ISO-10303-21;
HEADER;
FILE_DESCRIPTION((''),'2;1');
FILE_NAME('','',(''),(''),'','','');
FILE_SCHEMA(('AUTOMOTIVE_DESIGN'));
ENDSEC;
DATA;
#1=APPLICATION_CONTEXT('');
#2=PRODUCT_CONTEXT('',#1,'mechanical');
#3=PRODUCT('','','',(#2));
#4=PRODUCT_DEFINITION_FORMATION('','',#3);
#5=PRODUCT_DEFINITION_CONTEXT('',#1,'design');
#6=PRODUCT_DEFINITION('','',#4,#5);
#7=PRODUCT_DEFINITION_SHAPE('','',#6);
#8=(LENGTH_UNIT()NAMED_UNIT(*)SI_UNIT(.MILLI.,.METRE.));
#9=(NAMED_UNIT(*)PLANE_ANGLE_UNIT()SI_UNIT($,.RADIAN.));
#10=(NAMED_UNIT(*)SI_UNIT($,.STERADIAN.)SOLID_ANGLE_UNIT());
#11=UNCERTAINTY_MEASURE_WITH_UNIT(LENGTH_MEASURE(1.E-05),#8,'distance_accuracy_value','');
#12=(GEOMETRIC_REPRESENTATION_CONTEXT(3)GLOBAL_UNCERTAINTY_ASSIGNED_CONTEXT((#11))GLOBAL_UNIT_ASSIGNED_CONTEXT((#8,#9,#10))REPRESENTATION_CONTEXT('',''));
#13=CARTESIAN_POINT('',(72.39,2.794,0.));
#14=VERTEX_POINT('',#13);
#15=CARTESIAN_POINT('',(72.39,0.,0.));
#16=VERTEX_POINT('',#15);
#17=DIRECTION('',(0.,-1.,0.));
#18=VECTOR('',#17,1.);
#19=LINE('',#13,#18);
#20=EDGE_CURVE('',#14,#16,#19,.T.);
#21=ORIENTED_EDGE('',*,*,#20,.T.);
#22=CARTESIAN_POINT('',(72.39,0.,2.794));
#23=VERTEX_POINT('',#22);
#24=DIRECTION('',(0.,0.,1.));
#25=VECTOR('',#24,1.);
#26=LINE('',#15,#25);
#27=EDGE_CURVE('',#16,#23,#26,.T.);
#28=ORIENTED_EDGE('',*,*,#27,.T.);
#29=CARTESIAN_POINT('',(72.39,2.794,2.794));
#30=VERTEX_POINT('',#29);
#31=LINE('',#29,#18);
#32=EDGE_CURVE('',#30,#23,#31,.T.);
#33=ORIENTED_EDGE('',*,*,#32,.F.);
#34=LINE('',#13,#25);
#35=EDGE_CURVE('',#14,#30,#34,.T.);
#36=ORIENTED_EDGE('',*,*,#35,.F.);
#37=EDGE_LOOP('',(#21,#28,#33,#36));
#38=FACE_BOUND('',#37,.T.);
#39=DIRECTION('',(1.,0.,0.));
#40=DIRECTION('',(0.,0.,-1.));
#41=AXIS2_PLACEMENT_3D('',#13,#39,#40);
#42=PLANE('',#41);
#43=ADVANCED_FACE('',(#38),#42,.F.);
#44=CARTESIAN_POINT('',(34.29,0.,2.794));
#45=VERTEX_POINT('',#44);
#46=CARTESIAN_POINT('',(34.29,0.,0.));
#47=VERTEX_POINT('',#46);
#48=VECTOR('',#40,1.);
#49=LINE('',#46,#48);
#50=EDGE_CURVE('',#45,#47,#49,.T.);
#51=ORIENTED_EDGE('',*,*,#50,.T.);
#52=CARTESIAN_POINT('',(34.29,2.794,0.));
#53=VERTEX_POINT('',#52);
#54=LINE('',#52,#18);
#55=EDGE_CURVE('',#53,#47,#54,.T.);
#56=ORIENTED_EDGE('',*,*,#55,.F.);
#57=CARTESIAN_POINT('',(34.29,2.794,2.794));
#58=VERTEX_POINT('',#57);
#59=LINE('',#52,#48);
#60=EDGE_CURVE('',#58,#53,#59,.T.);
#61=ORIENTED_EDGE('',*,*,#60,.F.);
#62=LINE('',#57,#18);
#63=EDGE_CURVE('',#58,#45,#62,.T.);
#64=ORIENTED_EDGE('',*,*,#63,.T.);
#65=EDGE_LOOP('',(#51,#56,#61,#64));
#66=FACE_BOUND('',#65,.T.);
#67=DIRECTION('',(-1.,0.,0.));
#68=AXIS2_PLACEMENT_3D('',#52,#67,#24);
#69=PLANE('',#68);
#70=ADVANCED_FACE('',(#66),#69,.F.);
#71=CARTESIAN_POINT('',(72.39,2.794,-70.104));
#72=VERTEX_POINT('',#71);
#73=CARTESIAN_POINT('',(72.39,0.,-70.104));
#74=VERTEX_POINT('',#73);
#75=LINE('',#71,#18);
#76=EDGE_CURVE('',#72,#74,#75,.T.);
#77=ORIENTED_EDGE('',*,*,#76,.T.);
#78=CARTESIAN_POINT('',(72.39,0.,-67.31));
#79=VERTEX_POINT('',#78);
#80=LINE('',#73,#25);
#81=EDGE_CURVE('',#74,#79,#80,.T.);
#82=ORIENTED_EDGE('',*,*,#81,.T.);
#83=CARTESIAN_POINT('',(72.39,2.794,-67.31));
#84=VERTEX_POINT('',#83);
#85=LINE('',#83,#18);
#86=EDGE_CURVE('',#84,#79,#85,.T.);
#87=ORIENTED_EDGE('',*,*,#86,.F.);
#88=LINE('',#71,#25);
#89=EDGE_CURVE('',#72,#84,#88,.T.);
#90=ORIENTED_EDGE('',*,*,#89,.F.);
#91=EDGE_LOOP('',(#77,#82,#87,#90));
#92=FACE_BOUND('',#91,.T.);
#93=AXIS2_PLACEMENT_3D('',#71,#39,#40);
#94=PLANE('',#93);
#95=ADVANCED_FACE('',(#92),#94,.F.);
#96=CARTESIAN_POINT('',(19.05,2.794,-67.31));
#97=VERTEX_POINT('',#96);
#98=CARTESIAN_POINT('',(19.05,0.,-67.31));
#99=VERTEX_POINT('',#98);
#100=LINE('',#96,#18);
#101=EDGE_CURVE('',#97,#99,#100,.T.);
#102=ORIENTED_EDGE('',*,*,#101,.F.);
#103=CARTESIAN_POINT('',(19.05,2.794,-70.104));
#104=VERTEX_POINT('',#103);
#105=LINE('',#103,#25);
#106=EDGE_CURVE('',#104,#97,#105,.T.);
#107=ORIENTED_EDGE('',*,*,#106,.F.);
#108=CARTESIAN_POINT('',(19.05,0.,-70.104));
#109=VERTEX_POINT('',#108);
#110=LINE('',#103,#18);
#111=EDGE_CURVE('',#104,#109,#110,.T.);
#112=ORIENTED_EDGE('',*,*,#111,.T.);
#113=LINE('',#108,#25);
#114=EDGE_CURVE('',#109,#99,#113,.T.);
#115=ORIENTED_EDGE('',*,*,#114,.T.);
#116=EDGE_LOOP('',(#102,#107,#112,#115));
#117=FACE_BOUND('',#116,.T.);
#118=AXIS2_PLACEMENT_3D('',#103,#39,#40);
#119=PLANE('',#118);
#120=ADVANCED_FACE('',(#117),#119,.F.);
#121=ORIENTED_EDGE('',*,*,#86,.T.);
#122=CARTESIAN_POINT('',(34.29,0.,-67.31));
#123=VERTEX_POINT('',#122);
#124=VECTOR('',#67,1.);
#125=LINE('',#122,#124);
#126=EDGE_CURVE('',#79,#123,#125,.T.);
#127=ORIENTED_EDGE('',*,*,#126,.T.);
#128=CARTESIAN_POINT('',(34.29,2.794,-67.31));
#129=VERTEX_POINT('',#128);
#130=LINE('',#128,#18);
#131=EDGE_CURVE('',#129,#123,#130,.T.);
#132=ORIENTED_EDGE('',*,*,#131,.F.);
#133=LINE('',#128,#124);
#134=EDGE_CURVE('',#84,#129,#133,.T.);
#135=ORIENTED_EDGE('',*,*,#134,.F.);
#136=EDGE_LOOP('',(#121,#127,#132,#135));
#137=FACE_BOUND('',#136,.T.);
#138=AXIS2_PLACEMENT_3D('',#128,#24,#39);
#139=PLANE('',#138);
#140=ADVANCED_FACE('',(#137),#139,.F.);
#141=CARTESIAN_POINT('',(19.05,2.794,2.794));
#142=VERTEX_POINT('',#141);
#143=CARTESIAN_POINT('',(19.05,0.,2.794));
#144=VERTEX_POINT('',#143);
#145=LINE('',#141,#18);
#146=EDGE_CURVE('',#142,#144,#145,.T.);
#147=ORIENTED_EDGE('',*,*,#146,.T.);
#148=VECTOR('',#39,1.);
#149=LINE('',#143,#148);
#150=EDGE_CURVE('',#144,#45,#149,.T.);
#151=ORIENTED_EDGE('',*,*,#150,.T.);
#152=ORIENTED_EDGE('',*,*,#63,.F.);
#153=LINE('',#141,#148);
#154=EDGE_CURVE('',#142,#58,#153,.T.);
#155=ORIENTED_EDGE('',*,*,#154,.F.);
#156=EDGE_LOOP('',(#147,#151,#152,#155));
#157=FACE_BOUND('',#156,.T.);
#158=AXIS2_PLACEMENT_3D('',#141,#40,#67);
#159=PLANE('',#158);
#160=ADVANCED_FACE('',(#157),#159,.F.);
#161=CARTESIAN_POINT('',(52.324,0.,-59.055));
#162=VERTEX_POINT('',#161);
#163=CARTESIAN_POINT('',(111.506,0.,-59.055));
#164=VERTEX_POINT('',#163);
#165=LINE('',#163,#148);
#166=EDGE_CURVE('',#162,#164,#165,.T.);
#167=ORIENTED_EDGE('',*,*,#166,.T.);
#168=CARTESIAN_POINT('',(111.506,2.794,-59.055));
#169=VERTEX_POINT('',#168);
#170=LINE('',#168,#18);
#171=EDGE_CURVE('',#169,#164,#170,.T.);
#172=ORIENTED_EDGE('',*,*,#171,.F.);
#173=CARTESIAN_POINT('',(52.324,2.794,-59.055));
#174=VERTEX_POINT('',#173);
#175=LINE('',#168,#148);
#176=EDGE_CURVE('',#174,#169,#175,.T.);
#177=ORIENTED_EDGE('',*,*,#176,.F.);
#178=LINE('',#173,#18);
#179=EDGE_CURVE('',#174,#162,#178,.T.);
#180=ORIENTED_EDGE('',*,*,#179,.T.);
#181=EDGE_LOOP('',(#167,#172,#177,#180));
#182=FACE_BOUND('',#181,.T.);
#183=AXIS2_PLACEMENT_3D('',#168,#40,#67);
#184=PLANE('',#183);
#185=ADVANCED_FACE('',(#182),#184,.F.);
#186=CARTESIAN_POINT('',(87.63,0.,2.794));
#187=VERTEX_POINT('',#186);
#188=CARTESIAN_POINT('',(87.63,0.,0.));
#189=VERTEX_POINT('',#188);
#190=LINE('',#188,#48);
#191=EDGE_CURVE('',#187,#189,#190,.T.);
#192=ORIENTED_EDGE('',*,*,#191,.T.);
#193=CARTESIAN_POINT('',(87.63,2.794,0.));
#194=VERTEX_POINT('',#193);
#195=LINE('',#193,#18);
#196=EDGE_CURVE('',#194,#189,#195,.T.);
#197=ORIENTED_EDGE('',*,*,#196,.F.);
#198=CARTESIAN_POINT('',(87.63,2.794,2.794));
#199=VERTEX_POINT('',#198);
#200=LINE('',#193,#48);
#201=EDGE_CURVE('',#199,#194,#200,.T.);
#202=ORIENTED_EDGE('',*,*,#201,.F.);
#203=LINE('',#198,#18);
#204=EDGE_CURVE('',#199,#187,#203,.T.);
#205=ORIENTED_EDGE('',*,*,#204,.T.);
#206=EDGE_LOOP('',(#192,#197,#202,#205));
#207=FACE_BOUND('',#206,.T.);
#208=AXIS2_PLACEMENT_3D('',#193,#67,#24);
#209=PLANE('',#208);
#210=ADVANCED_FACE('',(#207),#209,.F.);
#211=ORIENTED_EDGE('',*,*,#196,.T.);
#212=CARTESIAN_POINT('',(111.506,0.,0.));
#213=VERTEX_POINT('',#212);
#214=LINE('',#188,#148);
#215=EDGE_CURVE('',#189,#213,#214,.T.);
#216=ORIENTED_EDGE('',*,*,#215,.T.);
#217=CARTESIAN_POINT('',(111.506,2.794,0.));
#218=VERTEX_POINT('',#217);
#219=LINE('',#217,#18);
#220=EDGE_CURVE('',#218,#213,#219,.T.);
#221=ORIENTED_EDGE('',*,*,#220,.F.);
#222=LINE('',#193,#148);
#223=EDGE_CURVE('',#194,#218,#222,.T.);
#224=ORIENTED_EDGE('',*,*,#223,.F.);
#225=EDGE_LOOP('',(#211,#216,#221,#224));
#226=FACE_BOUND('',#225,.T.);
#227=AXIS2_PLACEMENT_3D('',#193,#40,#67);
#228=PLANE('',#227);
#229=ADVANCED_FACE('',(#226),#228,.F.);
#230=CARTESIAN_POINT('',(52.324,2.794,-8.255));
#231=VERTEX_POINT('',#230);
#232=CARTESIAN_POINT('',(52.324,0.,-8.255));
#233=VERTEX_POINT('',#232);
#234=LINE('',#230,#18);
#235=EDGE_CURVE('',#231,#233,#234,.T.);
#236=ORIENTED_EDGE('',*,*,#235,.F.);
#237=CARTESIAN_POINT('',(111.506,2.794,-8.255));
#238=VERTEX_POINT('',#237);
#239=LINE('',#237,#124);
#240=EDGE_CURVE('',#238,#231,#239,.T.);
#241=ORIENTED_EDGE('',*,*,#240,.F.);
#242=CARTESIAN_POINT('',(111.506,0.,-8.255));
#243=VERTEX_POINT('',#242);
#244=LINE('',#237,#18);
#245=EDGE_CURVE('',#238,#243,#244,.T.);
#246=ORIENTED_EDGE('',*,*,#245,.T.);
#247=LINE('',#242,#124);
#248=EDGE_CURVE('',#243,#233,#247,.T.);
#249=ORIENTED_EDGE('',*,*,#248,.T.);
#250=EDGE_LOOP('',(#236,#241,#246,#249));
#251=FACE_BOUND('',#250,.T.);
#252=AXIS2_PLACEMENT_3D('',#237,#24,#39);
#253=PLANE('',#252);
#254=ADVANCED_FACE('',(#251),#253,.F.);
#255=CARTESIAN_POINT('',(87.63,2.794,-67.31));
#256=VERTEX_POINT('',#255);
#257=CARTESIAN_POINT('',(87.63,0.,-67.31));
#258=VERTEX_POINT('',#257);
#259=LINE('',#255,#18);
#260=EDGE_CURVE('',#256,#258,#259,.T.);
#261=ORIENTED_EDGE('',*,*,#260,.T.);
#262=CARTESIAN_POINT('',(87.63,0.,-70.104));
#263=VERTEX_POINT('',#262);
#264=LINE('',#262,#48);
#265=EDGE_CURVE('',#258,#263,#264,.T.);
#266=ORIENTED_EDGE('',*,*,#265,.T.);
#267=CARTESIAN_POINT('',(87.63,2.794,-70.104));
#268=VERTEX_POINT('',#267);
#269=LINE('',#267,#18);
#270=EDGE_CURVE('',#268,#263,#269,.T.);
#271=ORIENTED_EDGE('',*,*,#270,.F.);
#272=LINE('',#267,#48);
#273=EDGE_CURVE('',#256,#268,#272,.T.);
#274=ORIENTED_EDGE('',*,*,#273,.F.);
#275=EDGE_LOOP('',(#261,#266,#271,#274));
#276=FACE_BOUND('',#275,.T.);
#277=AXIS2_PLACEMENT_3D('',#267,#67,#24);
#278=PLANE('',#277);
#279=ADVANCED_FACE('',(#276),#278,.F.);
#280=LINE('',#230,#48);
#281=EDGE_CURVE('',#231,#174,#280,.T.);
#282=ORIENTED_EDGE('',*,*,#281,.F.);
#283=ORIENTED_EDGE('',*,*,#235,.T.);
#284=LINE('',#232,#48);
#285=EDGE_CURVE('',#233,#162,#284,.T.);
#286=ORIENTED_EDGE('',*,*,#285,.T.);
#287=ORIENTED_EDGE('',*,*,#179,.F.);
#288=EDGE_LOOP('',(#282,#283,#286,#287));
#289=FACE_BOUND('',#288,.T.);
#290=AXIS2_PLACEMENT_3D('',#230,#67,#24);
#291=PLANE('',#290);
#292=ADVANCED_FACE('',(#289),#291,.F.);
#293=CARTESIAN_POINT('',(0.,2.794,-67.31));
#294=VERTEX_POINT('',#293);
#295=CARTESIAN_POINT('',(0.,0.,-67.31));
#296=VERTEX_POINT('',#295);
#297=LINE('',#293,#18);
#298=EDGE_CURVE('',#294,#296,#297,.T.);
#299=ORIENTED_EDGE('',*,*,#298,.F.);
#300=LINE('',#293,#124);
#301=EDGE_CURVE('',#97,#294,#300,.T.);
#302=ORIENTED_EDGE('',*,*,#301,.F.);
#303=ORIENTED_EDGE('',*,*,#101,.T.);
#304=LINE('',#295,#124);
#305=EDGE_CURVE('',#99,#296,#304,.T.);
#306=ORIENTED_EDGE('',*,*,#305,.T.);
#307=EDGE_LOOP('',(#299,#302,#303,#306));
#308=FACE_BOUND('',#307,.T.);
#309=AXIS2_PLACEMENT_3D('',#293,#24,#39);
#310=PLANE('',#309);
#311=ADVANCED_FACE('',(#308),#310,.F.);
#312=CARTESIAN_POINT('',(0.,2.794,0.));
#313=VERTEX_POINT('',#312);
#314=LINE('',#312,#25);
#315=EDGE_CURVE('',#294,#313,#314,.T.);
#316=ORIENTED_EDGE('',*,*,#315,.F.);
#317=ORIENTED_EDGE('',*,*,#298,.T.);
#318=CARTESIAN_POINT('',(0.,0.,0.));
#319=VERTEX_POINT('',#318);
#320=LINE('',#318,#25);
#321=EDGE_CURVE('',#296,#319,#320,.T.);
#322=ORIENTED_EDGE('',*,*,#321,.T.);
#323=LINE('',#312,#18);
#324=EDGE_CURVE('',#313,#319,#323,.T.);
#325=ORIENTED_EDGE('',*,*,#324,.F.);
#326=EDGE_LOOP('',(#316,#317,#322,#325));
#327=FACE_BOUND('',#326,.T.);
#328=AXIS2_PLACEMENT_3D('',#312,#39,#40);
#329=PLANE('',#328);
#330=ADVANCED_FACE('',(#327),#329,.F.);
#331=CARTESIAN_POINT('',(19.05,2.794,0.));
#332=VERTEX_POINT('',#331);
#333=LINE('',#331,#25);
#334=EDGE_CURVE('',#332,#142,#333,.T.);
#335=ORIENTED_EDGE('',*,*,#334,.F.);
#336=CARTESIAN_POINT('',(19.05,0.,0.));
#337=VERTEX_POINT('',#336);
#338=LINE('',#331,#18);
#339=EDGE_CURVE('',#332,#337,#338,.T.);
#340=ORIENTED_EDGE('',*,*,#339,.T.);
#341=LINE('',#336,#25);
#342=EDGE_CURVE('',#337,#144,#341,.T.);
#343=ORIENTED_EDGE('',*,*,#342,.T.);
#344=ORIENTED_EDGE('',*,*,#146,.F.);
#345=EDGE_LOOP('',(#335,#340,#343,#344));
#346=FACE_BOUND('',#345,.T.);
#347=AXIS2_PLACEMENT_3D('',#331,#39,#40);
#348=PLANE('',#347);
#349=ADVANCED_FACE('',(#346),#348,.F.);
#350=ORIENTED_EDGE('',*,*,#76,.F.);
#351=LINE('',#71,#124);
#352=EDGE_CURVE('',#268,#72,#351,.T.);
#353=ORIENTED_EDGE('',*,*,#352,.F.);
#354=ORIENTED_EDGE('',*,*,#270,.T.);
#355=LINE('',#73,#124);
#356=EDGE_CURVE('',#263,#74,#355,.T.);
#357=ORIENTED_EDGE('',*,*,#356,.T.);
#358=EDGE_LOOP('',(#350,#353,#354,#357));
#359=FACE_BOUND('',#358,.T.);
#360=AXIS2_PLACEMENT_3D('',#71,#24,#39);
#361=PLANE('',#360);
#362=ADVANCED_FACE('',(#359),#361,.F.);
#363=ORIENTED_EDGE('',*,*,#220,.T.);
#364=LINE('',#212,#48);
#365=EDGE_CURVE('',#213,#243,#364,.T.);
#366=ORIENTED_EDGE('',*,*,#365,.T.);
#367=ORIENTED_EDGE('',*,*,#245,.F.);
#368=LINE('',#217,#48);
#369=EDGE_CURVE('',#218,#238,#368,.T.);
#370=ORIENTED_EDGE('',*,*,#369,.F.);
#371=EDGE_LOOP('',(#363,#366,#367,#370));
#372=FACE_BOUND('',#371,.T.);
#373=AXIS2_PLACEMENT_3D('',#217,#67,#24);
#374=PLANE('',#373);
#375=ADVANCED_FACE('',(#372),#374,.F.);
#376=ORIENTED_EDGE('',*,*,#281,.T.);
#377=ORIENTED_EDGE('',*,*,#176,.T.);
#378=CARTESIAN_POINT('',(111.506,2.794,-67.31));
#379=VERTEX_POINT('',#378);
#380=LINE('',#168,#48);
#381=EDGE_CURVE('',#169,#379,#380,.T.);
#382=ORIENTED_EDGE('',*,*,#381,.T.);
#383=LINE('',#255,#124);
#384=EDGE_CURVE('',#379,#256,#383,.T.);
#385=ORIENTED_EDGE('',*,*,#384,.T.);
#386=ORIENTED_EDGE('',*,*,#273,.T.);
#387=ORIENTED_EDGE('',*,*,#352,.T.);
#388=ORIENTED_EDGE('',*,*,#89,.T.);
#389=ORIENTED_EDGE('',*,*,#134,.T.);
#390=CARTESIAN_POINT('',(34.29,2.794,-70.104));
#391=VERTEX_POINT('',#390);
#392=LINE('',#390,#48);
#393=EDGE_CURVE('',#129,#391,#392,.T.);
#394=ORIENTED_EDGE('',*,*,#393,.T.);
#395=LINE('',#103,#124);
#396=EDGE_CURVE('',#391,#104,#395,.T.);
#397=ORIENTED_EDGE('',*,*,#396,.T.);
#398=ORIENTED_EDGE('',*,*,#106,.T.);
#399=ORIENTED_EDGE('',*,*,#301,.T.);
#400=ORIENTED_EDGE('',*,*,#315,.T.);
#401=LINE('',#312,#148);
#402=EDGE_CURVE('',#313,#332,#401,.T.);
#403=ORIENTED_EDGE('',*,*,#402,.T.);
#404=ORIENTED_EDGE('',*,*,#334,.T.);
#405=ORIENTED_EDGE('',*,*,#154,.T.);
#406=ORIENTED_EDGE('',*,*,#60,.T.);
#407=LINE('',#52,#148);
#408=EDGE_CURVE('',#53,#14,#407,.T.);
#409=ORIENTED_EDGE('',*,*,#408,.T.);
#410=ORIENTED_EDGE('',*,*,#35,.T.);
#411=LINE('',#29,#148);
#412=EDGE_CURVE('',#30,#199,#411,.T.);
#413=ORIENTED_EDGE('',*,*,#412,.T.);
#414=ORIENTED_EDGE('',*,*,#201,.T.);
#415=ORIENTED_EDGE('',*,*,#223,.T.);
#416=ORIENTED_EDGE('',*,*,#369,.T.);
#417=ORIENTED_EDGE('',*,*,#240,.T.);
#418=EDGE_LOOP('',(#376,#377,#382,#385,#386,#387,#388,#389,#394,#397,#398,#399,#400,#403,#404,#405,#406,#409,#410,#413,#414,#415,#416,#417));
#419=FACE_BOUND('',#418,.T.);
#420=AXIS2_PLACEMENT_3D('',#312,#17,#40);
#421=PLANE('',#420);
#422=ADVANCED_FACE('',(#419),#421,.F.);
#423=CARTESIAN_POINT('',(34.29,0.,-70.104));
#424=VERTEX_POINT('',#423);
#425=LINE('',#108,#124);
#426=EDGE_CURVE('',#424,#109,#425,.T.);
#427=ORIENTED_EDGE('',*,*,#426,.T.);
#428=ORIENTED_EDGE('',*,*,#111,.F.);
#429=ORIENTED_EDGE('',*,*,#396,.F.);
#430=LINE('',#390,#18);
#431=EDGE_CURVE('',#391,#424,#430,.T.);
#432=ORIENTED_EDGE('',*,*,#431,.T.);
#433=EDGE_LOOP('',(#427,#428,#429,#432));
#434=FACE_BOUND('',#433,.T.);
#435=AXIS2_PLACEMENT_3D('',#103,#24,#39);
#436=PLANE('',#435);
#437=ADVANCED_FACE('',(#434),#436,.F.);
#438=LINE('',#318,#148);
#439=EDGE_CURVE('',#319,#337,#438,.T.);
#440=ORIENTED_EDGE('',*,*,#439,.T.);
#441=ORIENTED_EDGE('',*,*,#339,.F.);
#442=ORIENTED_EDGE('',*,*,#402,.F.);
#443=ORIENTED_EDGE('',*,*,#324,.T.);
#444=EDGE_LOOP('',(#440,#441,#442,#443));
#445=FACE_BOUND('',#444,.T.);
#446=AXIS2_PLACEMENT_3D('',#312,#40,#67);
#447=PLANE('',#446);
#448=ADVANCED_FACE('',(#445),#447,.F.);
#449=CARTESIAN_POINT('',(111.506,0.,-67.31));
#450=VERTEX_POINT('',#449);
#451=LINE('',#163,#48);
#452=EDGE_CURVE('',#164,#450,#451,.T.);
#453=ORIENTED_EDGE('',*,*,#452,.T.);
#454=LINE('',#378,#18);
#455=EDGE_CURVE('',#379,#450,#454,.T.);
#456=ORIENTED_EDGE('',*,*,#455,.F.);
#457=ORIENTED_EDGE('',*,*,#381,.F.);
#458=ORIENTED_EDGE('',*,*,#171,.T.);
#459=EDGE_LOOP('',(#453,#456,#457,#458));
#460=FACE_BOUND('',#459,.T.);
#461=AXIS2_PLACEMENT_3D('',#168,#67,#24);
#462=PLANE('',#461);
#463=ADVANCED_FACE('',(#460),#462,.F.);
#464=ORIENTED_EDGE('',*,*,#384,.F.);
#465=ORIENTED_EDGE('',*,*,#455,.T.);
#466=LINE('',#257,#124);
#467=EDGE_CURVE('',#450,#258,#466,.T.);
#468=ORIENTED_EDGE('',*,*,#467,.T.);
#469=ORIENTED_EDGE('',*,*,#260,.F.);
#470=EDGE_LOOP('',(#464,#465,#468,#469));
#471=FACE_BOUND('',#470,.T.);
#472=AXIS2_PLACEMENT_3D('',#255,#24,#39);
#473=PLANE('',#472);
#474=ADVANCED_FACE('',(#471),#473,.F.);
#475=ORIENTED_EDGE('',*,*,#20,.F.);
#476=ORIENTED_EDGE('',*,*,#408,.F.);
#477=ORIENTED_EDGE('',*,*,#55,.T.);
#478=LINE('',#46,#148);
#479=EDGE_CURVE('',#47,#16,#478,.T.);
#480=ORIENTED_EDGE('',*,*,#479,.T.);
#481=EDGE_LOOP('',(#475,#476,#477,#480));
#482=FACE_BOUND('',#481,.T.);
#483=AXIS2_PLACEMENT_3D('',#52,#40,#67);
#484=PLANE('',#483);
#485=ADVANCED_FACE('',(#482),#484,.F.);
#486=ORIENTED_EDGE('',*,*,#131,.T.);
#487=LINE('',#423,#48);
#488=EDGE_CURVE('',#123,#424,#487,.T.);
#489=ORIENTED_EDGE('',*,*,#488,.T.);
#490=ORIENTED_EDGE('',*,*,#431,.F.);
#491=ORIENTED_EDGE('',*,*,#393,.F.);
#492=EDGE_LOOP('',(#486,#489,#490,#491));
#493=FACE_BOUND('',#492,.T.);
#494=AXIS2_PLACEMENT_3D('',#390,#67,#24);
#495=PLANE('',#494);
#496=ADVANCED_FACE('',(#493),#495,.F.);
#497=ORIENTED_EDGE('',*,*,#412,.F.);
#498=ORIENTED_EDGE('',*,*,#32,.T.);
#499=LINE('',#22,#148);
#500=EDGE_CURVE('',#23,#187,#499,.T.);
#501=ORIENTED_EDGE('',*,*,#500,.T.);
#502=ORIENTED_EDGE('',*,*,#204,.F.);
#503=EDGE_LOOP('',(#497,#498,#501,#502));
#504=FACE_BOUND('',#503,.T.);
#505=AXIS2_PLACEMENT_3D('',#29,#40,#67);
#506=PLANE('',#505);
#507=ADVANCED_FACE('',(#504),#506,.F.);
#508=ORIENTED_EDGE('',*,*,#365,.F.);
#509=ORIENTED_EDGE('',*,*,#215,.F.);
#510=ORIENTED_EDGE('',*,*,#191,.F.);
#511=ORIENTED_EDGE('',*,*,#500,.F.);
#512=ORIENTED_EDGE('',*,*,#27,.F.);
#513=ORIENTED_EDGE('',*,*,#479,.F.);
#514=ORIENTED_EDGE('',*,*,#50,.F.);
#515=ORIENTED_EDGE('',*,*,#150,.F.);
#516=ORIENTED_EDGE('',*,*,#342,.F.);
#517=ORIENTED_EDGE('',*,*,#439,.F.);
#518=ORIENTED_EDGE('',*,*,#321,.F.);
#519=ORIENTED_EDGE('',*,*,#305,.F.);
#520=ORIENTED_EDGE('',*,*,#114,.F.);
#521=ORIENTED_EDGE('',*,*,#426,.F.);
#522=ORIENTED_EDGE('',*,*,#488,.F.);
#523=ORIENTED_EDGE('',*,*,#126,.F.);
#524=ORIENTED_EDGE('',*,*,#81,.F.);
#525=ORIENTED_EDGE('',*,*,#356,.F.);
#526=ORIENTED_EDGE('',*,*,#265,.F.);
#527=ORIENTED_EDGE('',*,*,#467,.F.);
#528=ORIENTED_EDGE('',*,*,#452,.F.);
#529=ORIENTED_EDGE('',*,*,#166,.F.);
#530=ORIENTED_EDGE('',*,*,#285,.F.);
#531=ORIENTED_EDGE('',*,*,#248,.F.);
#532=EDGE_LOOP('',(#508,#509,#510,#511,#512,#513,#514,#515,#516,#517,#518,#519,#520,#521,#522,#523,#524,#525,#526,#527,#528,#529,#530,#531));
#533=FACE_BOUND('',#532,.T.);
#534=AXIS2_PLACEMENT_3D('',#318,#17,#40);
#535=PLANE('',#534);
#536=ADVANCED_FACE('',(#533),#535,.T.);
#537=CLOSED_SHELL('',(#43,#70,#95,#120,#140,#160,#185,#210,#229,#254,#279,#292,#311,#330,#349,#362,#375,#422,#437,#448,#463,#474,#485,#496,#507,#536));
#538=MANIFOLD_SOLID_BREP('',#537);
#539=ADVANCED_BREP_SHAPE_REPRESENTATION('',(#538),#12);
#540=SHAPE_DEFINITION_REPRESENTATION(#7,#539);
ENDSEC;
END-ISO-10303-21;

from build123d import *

# Parameters (mm, degrees)
BOSS_EXTRUDE1_DEPTH = 2.794


with BuildPart() as part:
    # Sketch2 → Boss-Extrude1 (new body)
    with BuildSketch(Plane(origin=(0, 0, 0), x_dir=(1, 0, 0), z_dir=(0, 1, 0))):
        Polygon((111.506, 59.055), (111.506, 67.31), (87.629999836, 67.31), (87.629999836, 70.104), (72.39, 70.104), (72.39, 67.31), (34.29, 67.31), (34.29, 70.104), (19.05, 70.104), (19.05, 67.31), (0, 67.31), (0, 0), (19.05, 0), (19.05, -2.794), (34.29, -2.794), (34.29, 0), (72.39, 0), (72.39, -2.794), (87.629999836, -2.794), (87.629999836, 0), (111.506, 0), (111.506, 8.255), (52.324, 8.255), (52.324, 59.055), align=None)
    extrude(amount=BOSS_EXTRUDE1_DEPTH)


solid = part.part
